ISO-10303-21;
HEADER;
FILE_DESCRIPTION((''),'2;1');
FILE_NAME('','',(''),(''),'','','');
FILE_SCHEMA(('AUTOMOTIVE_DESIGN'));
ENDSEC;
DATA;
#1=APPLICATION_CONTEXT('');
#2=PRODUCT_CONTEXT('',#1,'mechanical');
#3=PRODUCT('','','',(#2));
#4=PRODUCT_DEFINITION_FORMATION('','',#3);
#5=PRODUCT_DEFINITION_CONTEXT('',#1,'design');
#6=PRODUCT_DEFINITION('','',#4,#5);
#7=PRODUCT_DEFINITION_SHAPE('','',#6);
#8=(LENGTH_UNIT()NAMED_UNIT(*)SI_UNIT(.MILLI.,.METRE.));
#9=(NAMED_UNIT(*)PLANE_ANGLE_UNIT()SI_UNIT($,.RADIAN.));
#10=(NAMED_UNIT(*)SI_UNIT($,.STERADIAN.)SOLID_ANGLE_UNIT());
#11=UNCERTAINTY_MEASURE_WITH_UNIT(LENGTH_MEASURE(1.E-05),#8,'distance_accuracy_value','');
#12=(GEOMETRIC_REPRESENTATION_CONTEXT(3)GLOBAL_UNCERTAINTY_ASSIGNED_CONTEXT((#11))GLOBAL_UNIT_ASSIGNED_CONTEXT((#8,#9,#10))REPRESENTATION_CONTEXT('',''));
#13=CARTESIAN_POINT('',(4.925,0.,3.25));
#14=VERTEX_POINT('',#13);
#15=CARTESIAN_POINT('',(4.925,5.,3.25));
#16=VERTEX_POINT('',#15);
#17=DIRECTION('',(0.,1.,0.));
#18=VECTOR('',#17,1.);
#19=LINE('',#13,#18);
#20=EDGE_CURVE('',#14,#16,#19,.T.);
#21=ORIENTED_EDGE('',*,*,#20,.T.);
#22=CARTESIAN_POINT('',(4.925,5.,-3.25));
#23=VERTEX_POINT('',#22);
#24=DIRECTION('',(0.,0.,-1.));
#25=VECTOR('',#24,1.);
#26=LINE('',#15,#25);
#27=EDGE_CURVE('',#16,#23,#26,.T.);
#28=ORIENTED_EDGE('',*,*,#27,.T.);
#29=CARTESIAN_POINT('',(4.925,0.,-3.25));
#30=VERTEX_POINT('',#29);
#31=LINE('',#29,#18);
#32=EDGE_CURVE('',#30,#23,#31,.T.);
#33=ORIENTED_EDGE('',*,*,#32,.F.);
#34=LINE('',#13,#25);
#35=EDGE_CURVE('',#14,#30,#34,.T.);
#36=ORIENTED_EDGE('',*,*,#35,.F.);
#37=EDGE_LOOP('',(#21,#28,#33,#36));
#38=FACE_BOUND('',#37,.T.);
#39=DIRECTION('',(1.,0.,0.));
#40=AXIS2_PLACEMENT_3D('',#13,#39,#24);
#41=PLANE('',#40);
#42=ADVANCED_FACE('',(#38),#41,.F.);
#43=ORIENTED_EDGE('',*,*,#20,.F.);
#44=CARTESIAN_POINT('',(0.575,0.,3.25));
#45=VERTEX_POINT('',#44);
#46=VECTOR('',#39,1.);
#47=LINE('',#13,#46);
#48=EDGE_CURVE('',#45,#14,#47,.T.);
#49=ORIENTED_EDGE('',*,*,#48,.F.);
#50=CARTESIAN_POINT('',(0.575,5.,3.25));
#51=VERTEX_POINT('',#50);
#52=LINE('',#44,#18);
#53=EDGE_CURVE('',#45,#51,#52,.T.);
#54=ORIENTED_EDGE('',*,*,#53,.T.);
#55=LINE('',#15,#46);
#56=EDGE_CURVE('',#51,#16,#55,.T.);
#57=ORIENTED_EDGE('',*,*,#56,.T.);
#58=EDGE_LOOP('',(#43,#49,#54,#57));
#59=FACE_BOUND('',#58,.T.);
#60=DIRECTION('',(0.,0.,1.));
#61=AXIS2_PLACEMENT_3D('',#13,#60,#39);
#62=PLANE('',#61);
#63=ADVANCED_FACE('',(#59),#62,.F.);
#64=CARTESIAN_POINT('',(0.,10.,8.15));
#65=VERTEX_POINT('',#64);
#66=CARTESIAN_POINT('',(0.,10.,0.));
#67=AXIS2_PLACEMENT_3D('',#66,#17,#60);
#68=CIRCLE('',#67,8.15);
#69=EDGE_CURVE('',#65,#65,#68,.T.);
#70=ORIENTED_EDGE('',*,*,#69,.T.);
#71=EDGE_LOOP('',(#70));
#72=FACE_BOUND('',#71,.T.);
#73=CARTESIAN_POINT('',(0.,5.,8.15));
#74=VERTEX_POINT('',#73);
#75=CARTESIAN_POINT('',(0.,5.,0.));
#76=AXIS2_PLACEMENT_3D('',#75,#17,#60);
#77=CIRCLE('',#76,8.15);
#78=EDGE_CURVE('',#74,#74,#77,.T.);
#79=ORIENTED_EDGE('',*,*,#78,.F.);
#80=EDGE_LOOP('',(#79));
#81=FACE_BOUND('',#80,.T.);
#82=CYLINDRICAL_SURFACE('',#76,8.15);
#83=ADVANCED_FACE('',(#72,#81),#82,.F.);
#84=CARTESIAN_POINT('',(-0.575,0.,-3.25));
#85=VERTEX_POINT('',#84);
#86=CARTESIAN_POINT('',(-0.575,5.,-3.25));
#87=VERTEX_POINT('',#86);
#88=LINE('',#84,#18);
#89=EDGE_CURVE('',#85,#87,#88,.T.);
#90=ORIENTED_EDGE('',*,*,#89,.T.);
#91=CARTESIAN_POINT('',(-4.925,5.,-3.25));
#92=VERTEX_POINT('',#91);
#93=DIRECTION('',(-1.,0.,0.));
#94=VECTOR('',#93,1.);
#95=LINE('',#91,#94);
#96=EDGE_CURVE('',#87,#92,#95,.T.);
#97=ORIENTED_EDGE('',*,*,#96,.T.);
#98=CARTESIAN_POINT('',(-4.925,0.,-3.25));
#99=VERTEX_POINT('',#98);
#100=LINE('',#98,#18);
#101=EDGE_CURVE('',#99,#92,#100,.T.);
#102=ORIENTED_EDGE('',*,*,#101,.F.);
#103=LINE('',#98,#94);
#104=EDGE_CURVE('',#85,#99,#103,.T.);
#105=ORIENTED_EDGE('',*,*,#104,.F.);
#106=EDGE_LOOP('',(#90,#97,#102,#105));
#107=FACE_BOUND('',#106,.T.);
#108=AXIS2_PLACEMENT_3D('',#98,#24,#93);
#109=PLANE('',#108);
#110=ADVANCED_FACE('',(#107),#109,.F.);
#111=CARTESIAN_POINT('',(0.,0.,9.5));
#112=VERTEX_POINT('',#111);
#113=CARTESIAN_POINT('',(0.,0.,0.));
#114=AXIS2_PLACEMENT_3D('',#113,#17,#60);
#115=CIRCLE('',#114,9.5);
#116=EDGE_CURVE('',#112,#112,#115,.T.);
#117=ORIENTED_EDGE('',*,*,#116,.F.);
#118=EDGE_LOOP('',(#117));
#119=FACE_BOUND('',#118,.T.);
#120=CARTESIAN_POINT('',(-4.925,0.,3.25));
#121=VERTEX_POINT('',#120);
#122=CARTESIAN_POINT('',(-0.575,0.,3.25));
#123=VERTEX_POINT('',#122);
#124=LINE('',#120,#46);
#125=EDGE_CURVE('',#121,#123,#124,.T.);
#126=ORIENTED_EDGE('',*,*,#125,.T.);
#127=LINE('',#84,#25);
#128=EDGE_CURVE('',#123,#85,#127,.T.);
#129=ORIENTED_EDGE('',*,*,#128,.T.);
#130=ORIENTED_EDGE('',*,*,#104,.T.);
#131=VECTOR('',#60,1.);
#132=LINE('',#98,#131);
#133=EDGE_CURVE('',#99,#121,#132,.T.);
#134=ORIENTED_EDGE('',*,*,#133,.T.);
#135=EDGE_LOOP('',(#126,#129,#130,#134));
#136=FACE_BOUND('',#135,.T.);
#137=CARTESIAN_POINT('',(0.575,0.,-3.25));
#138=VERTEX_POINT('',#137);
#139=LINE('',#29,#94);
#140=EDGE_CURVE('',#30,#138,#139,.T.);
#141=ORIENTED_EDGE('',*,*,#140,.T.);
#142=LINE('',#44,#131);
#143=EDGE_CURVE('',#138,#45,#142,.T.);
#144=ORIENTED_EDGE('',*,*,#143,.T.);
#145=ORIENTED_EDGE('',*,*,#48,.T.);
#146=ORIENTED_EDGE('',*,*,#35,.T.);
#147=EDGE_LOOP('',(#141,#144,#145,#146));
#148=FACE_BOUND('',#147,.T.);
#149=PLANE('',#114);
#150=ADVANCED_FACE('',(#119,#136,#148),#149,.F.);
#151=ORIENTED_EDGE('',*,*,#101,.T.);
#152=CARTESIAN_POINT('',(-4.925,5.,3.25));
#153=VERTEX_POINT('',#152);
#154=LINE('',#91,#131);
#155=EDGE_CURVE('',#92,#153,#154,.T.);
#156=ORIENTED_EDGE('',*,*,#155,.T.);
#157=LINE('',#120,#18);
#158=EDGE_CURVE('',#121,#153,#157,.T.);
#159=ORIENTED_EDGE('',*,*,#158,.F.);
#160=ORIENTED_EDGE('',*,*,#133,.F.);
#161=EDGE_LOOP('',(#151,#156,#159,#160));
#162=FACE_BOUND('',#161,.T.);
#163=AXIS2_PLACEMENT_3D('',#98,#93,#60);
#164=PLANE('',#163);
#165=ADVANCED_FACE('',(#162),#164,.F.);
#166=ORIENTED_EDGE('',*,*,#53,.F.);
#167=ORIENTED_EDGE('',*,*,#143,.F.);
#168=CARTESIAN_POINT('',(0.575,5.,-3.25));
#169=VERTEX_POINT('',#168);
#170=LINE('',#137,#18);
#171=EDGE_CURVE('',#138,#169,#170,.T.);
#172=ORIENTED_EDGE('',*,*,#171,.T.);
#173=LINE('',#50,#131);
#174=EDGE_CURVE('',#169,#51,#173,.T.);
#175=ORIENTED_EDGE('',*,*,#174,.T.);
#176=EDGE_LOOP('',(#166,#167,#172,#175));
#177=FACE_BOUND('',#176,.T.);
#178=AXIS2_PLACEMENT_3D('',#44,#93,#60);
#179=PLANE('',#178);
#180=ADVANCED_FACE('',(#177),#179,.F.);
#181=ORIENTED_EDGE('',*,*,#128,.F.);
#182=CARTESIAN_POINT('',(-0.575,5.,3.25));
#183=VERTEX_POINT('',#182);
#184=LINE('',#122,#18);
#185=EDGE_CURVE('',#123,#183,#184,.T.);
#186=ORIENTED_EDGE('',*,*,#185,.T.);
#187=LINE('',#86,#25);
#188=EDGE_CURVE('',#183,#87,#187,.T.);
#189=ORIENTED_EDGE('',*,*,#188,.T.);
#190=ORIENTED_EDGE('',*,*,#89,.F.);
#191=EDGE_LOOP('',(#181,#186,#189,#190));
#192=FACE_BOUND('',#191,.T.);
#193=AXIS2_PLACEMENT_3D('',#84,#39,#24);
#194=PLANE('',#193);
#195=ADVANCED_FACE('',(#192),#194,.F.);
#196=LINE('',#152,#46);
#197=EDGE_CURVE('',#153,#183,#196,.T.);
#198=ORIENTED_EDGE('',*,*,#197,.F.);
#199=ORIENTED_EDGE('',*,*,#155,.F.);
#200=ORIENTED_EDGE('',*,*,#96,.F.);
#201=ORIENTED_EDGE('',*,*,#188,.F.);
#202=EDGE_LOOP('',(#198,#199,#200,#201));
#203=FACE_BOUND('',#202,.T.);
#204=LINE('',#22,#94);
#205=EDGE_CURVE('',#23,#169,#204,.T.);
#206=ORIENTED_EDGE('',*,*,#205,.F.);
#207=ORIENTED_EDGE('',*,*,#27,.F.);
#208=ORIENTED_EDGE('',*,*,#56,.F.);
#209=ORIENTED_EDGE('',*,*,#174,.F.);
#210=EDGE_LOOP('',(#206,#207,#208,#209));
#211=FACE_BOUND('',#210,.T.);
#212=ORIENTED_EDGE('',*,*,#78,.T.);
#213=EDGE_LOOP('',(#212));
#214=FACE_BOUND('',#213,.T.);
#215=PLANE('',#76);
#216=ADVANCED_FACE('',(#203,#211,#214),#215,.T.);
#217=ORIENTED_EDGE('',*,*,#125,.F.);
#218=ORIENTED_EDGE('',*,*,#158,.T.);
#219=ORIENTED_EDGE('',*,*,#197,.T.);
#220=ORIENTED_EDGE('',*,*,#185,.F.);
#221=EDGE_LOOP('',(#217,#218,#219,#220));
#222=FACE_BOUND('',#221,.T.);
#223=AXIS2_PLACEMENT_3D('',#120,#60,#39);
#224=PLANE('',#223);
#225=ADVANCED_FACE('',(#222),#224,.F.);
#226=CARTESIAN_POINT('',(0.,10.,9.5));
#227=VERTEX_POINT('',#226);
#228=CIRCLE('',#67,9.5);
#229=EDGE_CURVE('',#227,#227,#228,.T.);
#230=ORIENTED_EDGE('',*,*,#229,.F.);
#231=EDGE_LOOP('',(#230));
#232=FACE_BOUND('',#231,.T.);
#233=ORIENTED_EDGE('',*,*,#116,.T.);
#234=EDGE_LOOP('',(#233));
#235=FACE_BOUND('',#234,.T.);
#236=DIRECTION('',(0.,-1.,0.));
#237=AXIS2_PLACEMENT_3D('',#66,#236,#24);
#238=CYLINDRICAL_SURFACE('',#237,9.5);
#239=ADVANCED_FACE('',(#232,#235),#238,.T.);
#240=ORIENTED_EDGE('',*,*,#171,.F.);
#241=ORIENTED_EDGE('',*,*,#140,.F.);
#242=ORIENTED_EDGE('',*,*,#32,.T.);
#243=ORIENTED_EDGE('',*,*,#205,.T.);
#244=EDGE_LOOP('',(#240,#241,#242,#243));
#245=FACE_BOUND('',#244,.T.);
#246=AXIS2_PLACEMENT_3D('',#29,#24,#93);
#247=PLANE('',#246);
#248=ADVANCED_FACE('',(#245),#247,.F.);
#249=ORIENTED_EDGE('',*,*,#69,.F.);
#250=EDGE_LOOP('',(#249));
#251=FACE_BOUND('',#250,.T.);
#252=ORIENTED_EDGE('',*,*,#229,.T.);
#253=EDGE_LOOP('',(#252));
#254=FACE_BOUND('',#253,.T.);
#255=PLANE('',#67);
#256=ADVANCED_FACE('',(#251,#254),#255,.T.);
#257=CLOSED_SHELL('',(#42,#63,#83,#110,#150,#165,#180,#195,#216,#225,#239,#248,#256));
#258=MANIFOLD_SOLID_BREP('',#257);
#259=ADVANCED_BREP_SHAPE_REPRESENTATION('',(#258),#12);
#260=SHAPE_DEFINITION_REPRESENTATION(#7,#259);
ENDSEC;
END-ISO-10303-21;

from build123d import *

# Parameters (mm, degrees)
SKETCH2_R           = 9.5
BOSS_EXTRUDE2_DEPTH = 10
SKETCH3_R           = 8.15
CUT_EXTRUDE1_DEPTH  = 5
SKETCH4_W           = 4.35
SKETCH4_H           = 6.5
CUT_EXTRUDE2_DEPTH  = 6


with BuildPart() as part:
    # Sketch2 → Boss-Extrude2 (new body)
    with BuildSketch(Plane(origin=(0, 0, 0), x_dir=(1, 0, 0), z_dir=(0, 1, 0))):
        Circle(SKETCH2_R)
    extrude(amount=BOSS_EXTRUDE2_DEPTH)

    # Sketch3 → Cut-Extrude1 (cut)
    with BuildSketch(Plane(origin=(0, 10, 0), x_dir=(1, 0, 0), z_dir=(0, 1, 0))):
        Circle(SKETCH3_R)
    extrude(amount=-CUT_EXTRUDE1_DEPTH, mode=Mode.SUBTRACT)

    # Sketch4 → Cut-Extrude2 (cut, through all)
    with BuildSketch(Plane(origin=(0, 5, 0), x_dir=(1, 0, 0), z_dir=(0, 1, 0))):
        with Locations((2.75, 0)):
            Rectangle(SKETCH4_W, SKETCH4_H)
        with Locations((-2.75, 0)):
            Rectangle(SKETCH4_W, SKETCH4_H)
    extrude(amount=-CUT_EXTRUDE2_DEPTH, mode=Mode.SUBTRACT)


solid = part.part
